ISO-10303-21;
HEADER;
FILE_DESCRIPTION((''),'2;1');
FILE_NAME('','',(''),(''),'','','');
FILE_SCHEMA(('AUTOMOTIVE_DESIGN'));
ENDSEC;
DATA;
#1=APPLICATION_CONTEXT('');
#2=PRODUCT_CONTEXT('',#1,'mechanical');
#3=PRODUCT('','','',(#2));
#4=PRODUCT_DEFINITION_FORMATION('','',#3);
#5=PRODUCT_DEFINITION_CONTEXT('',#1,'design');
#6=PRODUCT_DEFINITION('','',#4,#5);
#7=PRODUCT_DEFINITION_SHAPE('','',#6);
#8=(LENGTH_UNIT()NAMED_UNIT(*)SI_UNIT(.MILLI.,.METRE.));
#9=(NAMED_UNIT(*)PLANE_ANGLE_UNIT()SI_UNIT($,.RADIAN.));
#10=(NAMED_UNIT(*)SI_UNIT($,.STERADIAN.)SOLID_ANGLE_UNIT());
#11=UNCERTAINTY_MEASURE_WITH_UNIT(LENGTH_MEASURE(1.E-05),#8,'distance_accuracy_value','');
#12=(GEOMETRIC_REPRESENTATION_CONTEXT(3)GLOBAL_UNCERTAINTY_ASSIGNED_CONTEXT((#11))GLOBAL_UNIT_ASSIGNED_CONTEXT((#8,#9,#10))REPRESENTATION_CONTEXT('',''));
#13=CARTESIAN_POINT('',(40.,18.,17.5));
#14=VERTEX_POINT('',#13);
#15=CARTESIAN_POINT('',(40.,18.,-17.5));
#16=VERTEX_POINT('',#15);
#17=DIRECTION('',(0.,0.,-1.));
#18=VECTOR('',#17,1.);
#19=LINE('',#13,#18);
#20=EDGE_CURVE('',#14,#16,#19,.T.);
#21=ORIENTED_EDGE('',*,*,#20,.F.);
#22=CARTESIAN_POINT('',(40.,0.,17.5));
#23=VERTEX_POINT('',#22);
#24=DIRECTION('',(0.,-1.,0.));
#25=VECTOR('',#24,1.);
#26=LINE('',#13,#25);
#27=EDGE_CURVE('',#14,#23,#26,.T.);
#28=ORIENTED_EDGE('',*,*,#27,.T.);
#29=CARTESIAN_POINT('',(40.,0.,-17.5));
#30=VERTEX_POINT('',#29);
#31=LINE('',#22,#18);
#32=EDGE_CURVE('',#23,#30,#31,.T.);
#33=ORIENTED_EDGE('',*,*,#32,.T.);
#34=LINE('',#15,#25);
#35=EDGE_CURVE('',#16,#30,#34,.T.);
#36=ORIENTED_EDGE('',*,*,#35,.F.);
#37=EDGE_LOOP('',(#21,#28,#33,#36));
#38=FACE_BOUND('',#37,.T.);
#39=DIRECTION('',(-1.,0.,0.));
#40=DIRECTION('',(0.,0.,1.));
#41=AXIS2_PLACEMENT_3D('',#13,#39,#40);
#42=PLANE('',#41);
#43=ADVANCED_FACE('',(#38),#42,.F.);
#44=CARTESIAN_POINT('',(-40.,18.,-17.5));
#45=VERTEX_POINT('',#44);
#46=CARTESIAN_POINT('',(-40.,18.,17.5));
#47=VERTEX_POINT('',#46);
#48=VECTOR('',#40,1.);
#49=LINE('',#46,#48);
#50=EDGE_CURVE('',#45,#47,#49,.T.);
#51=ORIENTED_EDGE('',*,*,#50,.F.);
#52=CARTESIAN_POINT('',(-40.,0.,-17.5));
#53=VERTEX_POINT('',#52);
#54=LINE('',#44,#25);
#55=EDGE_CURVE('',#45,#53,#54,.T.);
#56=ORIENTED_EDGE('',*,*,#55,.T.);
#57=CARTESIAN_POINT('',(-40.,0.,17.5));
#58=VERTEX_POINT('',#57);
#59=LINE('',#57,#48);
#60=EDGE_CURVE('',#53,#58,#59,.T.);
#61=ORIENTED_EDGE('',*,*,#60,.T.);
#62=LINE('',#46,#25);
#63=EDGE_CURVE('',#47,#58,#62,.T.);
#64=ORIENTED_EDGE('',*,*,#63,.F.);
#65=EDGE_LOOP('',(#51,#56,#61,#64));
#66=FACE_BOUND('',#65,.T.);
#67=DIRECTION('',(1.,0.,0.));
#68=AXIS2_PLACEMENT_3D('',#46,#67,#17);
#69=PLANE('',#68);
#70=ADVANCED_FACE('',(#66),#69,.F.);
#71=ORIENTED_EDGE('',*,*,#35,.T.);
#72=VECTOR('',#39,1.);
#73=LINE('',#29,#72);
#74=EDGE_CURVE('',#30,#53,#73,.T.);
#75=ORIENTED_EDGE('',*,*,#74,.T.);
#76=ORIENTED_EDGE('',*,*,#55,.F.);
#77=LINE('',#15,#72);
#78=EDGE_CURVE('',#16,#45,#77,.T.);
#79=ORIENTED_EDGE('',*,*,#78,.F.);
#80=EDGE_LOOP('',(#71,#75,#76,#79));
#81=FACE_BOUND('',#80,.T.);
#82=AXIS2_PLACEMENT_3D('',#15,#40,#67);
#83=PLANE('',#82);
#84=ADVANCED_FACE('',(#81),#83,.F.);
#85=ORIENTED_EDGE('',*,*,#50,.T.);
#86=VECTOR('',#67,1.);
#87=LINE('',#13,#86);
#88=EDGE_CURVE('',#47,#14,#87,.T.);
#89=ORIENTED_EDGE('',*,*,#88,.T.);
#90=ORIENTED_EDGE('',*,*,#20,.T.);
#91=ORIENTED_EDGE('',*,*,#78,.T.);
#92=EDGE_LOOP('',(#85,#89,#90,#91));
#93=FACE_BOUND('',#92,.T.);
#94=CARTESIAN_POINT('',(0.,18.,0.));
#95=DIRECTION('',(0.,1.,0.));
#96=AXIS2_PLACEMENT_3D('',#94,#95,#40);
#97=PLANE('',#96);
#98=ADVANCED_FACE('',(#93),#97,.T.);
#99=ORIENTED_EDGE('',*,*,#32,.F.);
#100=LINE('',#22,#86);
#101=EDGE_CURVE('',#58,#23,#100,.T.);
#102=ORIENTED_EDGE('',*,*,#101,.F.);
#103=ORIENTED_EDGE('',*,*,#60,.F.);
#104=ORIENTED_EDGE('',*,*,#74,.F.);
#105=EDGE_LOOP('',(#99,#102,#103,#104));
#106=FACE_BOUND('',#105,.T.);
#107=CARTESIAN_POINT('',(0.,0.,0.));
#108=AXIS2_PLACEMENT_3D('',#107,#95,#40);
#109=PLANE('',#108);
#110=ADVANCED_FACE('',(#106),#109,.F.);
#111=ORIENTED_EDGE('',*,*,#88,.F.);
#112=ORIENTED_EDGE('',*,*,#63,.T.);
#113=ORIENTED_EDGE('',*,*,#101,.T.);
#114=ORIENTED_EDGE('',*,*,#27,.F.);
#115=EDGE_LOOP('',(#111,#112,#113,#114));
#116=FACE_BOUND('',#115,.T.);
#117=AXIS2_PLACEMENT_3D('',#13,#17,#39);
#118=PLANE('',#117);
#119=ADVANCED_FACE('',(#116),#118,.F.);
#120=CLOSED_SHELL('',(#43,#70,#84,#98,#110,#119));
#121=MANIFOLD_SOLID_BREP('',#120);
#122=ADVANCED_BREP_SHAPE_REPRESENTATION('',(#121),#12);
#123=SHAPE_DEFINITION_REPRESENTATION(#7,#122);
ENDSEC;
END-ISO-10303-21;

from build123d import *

# Parameters (mm, degrees)
SKETCH_1_W      = 80
SKETCH_1_H      = 35
EXTRUDE_1_DEPTH = 18


with BuildPart() as part:
    # 草图1 → 凸台-拉伸1 (new body)
    with BuildSketch(Plane(origin=(0, 0, 0), x_dir=(1, 0, 0), z_dir=(0, 1, 0))):
        Rectangle(SKETCH_1_W, SKETCH_1_H)
    extrude(amount=EXTRUDE_1_DEPTH)


solid = part.part
